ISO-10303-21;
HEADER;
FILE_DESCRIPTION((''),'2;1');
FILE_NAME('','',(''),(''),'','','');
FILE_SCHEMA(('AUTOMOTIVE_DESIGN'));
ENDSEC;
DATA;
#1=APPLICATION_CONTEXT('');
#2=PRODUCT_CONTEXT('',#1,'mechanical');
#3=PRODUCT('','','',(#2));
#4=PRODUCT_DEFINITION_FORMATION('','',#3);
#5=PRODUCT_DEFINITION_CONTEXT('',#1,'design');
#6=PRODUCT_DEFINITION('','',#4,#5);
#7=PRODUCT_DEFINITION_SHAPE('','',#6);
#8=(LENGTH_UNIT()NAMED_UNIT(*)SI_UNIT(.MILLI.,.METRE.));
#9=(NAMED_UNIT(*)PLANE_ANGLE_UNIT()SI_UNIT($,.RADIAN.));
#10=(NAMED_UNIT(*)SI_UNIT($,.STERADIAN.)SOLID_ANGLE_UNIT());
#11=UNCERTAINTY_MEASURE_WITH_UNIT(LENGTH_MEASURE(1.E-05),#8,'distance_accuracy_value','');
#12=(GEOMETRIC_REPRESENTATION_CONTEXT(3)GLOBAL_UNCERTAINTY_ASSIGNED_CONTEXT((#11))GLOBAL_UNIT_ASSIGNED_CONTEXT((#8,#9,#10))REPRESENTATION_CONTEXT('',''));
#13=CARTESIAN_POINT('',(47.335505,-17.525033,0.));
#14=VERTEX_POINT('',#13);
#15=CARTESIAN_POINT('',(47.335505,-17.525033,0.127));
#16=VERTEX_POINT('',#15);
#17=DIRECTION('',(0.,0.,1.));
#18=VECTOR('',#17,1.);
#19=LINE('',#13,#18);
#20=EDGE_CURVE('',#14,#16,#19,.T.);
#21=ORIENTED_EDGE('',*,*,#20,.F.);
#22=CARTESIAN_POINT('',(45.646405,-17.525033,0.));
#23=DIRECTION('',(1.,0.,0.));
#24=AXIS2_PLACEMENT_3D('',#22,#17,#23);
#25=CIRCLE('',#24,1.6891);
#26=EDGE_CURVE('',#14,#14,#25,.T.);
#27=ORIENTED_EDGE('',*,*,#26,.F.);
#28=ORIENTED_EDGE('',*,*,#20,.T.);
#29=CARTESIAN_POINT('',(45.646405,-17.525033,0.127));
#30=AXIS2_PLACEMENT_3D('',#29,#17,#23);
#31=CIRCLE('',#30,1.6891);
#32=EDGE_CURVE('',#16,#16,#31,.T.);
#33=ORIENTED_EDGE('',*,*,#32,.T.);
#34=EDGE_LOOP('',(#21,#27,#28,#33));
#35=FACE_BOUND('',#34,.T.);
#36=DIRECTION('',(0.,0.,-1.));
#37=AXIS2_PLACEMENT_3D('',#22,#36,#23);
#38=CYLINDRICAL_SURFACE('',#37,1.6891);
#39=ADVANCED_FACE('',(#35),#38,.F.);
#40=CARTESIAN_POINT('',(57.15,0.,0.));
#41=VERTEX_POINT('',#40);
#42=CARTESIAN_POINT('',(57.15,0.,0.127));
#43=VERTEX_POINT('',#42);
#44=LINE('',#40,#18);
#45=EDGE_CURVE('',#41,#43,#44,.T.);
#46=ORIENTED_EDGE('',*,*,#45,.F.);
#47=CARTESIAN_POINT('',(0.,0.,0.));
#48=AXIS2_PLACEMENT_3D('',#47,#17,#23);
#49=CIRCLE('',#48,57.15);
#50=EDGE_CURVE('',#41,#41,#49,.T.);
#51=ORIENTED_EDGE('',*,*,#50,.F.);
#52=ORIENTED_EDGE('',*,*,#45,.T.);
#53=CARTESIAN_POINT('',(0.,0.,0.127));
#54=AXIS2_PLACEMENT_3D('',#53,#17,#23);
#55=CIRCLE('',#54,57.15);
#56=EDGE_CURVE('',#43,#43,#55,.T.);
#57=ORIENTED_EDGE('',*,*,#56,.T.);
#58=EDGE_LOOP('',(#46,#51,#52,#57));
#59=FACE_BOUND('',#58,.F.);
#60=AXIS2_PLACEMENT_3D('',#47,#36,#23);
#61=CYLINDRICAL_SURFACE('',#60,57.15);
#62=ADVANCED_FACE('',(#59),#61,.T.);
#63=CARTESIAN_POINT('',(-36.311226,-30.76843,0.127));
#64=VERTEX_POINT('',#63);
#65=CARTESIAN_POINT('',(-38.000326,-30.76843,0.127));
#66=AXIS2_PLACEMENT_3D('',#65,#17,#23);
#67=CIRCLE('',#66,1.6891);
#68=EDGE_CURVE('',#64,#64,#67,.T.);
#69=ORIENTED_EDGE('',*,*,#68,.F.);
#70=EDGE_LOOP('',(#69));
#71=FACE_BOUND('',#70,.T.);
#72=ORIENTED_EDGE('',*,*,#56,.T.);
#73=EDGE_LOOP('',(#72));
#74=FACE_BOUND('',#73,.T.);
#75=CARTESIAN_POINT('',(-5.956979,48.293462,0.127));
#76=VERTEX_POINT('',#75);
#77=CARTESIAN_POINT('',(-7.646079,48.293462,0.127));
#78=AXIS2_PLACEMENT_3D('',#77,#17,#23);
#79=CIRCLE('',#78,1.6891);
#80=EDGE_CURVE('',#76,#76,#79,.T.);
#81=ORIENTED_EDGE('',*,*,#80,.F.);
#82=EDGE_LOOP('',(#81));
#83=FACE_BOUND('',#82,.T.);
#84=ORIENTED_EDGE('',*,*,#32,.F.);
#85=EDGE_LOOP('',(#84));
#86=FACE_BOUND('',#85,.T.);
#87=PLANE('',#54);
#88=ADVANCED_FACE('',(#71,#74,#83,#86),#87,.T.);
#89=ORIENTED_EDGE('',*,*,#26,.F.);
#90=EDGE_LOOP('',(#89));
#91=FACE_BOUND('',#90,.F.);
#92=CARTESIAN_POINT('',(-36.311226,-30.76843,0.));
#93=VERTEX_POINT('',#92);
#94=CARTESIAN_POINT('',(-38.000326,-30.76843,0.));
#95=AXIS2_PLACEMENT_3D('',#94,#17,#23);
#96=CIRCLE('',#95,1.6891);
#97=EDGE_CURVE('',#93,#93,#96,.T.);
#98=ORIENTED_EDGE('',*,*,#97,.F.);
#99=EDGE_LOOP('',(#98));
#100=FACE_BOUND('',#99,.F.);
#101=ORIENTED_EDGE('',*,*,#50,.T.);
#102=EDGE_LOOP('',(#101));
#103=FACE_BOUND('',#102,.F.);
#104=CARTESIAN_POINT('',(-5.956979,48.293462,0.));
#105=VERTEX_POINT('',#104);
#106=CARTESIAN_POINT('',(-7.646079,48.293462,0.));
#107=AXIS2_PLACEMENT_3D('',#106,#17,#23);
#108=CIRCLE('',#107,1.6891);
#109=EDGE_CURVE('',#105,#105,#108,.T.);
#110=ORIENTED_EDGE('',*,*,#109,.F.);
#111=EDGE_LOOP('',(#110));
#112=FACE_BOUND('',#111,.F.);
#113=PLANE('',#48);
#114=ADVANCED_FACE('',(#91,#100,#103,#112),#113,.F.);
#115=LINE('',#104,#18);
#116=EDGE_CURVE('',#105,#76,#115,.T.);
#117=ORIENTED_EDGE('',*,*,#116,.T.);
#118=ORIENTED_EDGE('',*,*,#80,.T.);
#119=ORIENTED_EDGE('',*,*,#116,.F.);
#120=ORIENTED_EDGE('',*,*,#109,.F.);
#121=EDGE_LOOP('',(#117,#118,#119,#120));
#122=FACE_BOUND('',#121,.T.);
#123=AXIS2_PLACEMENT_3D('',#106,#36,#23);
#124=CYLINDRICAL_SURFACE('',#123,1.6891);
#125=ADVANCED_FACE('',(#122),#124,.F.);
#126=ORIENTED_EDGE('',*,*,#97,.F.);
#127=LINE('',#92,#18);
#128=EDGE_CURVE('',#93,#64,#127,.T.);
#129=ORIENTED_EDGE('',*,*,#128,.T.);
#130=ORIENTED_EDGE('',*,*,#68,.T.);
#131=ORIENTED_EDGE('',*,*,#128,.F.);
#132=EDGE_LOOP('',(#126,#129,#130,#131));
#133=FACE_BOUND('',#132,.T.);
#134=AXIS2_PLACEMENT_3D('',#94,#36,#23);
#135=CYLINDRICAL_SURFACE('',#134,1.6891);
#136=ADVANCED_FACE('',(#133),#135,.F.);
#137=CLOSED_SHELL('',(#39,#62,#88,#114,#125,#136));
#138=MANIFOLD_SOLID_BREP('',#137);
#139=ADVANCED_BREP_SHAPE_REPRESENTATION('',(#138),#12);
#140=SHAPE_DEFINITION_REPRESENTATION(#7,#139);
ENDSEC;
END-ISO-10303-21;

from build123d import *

# Parameters (mm, degrees)
F0_R     = 57.15
F0_R_2   = 1.6891
F1_DEPTH = 0.127


with BuildPart() as f1:
    # F0 (on Top) → F1 (new body)
    with BuildSketch(Plane.XY):
        Circle(F0_R)
        with Locations((-38.000326, -30.76843)):
            Circle(F0_R_2, mode=Mode.SUBTRACT)
        with BuildLine():
            Line((31.75, -43.267109), (-31.75, -43.267109))
            ThreePointArc((-31.75, -43.267109), (0, -11.517109), (31.75, -43.267109))
        make_face(mode=Mode.SUBTRACT)
        with Locations((45.646405, -17.525033)):
            Circle(F0_R_2, mode=Mode.SUBTRACT)
        with Locations((-7.646079, 48.293462)):
            Circle(F0_R_2, mode=Mode.SUBTRACT)
        with BuildLine():
            ThreePointArc((31.75, -43.267109), (0, -11.517109), (-31.75, -43.267109))
            Line((-31.75, -43.267109), (31.75, -43.267109))
        make_face()
    extrude(amount=F1_DEPTH)


solid = f1.part
